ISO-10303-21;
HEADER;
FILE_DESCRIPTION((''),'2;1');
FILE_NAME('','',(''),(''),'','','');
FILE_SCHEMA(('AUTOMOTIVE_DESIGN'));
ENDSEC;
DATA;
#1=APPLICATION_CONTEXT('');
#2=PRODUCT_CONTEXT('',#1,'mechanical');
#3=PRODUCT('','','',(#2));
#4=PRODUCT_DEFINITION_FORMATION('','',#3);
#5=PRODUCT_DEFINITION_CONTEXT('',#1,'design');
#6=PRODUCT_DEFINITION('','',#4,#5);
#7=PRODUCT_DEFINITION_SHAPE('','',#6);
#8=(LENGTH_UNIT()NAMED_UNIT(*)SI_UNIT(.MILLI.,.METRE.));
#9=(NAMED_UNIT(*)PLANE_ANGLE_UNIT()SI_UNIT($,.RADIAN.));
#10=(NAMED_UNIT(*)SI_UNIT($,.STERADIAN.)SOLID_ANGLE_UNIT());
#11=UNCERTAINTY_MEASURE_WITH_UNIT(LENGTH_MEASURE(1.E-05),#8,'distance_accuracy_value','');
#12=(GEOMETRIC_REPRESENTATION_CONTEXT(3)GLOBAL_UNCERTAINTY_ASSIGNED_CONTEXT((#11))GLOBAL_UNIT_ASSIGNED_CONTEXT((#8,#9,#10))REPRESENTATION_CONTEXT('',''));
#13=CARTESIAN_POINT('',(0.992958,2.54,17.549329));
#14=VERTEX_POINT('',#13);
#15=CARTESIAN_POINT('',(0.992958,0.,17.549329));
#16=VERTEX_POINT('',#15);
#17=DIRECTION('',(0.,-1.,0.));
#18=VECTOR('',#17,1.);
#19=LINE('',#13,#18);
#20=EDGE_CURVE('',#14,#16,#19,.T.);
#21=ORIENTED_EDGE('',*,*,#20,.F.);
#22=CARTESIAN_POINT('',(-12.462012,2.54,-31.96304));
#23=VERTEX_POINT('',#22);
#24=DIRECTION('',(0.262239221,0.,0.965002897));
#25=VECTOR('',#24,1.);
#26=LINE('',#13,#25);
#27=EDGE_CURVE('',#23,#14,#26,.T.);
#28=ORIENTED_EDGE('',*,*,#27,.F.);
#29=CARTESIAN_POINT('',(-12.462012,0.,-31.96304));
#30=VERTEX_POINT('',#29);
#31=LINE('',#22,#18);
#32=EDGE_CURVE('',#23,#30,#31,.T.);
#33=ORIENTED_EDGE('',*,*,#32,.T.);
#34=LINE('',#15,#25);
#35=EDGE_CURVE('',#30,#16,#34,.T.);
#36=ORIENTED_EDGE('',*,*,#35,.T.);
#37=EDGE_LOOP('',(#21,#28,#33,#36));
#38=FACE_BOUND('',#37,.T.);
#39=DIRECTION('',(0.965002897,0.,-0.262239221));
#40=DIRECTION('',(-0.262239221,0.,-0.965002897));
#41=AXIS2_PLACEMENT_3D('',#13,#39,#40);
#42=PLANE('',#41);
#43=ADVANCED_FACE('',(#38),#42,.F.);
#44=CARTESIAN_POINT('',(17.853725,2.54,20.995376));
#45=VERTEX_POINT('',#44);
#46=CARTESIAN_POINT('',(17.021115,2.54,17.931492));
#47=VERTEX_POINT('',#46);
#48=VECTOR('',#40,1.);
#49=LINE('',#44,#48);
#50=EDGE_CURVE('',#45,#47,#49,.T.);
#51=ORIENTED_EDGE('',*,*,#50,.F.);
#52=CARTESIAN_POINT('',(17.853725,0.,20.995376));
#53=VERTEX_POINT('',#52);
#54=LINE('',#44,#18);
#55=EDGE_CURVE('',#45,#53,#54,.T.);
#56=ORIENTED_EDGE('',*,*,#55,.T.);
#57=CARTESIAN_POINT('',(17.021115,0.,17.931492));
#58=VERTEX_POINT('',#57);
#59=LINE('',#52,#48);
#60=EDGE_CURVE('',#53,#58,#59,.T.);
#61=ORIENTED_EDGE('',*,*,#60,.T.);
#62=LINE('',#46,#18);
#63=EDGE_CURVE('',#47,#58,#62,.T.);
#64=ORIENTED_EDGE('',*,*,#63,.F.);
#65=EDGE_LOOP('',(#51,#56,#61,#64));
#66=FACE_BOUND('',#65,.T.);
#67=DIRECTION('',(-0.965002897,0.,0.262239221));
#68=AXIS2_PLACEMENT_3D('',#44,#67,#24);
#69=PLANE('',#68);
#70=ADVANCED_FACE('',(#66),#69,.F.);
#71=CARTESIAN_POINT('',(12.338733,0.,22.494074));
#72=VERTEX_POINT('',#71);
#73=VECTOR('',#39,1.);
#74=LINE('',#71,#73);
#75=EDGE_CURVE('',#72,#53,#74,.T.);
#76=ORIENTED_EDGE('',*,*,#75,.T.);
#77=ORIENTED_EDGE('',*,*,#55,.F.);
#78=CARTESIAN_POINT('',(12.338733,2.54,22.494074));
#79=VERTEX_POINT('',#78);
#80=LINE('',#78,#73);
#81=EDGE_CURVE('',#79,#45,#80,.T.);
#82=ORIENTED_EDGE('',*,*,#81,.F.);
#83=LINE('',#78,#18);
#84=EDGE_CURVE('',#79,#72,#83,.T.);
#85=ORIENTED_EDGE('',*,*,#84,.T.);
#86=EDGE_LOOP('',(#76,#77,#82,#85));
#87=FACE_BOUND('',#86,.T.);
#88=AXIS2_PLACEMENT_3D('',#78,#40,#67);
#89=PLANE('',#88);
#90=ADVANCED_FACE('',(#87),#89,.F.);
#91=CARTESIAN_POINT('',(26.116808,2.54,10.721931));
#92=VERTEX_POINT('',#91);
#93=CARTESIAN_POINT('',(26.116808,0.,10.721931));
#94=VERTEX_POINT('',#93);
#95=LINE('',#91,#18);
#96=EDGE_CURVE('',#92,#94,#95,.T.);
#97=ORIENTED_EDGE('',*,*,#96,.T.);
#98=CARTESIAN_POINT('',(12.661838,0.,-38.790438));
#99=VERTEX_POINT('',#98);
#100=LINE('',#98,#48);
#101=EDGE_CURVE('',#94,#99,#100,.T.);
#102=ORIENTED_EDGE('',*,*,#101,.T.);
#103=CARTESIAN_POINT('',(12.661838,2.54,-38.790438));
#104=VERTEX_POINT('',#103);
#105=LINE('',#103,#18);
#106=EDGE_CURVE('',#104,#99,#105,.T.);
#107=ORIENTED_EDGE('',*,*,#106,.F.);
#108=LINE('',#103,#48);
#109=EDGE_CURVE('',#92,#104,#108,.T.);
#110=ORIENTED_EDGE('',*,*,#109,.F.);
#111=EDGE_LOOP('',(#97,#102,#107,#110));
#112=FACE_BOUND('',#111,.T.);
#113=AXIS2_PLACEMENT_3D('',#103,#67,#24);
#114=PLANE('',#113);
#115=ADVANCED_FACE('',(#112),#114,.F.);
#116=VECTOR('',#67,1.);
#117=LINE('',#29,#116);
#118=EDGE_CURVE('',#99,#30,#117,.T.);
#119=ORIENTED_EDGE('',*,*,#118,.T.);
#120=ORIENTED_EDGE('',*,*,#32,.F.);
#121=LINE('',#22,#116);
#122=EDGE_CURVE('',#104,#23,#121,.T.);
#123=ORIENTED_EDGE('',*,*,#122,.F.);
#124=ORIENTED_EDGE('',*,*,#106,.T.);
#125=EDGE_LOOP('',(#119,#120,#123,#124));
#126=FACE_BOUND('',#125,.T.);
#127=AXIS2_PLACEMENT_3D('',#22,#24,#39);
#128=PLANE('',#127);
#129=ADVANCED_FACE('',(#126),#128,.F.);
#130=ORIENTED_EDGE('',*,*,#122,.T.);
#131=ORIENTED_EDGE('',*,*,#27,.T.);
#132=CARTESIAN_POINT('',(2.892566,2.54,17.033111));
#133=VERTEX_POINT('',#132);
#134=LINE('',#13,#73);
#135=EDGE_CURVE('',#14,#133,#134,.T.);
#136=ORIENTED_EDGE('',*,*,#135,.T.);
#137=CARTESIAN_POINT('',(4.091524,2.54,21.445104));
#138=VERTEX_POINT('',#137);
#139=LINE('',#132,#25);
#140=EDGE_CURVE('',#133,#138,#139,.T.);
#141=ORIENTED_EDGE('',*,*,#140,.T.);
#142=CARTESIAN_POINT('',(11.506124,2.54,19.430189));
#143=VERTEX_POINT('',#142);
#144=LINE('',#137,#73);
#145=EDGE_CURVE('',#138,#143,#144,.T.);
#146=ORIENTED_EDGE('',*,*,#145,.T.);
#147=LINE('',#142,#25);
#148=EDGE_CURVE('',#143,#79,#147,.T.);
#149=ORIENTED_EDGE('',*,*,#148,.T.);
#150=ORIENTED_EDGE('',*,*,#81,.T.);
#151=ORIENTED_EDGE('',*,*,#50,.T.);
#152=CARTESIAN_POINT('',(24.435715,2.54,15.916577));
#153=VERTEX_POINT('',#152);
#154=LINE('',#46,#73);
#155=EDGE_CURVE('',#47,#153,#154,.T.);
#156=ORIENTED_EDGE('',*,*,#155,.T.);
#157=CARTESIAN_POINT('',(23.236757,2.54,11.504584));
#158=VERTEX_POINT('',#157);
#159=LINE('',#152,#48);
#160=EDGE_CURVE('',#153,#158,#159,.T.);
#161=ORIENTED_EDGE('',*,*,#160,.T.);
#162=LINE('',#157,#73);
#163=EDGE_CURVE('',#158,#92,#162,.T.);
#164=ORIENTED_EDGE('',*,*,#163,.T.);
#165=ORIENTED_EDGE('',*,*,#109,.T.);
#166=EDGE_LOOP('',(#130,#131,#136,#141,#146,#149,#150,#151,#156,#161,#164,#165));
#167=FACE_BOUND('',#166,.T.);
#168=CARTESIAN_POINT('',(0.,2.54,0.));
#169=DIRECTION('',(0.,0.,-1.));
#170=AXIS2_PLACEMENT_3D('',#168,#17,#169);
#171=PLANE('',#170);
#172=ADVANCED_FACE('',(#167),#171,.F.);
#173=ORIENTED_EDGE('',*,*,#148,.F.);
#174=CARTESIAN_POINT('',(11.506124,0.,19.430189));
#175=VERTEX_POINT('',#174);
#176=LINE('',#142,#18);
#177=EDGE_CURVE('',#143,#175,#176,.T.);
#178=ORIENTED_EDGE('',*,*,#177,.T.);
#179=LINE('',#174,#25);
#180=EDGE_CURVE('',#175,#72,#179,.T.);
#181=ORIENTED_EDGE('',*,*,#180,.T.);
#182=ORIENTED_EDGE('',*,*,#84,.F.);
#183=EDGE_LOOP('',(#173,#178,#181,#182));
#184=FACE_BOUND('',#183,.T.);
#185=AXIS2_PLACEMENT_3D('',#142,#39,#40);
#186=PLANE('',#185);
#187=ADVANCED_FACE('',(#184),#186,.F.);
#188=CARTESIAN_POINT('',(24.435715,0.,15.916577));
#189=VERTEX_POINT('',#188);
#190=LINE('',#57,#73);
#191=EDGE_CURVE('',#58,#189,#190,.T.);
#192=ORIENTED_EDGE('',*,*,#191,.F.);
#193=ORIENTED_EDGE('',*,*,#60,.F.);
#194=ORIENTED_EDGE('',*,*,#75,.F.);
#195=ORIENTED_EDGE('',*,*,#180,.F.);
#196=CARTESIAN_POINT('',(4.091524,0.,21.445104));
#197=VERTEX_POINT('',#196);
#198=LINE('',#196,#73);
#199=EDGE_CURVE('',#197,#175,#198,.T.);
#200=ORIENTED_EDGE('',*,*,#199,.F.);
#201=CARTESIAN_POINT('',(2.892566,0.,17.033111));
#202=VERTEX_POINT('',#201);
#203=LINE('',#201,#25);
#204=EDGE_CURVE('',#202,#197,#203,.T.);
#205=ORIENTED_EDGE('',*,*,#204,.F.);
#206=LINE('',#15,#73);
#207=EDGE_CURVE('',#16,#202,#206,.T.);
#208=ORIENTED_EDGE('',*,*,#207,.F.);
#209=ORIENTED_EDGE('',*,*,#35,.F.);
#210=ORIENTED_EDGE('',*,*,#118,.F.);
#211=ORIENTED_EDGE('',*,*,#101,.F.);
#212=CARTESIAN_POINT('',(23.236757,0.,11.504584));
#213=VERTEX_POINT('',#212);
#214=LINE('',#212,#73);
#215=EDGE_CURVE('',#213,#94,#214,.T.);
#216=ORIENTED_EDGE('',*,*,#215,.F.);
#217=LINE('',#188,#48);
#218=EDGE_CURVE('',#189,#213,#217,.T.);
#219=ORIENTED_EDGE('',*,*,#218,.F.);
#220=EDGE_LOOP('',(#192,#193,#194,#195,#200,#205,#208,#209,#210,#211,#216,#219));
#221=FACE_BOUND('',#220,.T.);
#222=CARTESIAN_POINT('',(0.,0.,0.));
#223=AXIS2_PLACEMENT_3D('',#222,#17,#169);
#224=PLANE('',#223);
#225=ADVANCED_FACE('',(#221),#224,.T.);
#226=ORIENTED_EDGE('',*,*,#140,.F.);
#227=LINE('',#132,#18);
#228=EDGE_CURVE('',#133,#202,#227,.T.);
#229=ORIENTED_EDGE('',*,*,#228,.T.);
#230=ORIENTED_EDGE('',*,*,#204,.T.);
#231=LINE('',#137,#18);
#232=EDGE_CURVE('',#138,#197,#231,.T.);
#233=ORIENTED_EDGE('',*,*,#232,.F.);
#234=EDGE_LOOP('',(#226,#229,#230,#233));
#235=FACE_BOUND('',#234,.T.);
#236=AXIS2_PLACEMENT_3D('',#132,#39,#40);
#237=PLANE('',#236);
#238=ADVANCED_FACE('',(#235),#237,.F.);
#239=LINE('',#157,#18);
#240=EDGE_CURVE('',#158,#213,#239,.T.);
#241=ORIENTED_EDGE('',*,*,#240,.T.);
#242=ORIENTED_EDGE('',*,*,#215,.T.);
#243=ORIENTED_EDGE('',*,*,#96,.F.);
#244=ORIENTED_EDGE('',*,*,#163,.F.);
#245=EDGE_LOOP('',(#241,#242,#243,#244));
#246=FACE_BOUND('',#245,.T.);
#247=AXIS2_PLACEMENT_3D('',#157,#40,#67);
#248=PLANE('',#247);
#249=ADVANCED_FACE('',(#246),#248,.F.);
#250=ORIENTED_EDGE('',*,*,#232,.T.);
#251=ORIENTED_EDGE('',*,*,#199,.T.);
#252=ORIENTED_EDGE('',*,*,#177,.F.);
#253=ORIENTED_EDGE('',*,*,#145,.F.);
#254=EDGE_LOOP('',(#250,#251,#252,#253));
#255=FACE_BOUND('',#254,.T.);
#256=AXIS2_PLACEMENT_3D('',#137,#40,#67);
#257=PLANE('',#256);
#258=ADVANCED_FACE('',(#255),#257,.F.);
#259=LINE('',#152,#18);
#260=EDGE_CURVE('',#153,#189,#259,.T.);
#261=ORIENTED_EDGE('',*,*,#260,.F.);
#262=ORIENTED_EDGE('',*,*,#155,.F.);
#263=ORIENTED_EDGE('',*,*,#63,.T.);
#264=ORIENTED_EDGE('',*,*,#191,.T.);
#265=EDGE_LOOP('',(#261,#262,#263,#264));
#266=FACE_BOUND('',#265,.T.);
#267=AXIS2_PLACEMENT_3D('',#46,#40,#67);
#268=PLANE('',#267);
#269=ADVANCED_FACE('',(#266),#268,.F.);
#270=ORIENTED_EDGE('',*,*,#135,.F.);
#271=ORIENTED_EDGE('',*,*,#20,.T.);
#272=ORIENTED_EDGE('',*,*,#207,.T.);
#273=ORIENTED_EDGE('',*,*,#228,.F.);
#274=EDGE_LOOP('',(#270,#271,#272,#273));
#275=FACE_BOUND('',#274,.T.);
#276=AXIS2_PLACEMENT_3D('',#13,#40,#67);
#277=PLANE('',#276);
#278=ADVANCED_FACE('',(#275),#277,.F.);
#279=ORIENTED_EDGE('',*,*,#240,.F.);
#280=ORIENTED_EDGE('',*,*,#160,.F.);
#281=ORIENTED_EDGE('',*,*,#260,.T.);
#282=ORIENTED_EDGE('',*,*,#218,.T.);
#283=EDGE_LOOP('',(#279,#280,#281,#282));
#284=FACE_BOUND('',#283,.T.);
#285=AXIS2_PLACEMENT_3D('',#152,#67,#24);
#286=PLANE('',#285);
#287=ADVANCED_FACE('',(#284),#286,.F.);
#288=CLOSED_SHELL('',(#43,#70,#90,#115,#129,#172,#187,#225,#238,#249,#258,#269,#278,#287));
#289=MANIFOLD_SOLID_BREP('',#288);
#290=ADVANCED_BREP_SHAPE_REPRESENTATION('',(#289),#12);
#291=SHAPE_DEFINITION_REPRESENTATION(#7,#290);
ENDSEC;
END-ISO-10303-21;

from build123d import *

# Parameters (mm, degrees)
BOSS_EXTRU_1_DEPTH = 2.54


with BuildPart() as part:
    # Esquisse1 → Boss.-Extru.1 (new body)
    with BuildSketch(Plane(origin=(0, 0, 0), x_dir=(1, 0, 0), z_dir=(0, 1, 0))):
        Polygon((-12.462012065, 31.963039537), (12.661838352, 38.790437667), (26.116808327, -10.721930959), (23.236757181, -11.504583915), (24.435714902, -15.916577159), (17.021115145, -17.931492217), (17.853724673, -20.995376415), (12.338733118, -22.494073565), (11.50612359, -19.430189368), (4.091523833, -21.445104426), (2.892566112, -17.033111182), (0.99295791, -17.54932909), align=None)
    extrude(amount=BOSS_EXTRU_1_DEPTH)


solid = part.part
